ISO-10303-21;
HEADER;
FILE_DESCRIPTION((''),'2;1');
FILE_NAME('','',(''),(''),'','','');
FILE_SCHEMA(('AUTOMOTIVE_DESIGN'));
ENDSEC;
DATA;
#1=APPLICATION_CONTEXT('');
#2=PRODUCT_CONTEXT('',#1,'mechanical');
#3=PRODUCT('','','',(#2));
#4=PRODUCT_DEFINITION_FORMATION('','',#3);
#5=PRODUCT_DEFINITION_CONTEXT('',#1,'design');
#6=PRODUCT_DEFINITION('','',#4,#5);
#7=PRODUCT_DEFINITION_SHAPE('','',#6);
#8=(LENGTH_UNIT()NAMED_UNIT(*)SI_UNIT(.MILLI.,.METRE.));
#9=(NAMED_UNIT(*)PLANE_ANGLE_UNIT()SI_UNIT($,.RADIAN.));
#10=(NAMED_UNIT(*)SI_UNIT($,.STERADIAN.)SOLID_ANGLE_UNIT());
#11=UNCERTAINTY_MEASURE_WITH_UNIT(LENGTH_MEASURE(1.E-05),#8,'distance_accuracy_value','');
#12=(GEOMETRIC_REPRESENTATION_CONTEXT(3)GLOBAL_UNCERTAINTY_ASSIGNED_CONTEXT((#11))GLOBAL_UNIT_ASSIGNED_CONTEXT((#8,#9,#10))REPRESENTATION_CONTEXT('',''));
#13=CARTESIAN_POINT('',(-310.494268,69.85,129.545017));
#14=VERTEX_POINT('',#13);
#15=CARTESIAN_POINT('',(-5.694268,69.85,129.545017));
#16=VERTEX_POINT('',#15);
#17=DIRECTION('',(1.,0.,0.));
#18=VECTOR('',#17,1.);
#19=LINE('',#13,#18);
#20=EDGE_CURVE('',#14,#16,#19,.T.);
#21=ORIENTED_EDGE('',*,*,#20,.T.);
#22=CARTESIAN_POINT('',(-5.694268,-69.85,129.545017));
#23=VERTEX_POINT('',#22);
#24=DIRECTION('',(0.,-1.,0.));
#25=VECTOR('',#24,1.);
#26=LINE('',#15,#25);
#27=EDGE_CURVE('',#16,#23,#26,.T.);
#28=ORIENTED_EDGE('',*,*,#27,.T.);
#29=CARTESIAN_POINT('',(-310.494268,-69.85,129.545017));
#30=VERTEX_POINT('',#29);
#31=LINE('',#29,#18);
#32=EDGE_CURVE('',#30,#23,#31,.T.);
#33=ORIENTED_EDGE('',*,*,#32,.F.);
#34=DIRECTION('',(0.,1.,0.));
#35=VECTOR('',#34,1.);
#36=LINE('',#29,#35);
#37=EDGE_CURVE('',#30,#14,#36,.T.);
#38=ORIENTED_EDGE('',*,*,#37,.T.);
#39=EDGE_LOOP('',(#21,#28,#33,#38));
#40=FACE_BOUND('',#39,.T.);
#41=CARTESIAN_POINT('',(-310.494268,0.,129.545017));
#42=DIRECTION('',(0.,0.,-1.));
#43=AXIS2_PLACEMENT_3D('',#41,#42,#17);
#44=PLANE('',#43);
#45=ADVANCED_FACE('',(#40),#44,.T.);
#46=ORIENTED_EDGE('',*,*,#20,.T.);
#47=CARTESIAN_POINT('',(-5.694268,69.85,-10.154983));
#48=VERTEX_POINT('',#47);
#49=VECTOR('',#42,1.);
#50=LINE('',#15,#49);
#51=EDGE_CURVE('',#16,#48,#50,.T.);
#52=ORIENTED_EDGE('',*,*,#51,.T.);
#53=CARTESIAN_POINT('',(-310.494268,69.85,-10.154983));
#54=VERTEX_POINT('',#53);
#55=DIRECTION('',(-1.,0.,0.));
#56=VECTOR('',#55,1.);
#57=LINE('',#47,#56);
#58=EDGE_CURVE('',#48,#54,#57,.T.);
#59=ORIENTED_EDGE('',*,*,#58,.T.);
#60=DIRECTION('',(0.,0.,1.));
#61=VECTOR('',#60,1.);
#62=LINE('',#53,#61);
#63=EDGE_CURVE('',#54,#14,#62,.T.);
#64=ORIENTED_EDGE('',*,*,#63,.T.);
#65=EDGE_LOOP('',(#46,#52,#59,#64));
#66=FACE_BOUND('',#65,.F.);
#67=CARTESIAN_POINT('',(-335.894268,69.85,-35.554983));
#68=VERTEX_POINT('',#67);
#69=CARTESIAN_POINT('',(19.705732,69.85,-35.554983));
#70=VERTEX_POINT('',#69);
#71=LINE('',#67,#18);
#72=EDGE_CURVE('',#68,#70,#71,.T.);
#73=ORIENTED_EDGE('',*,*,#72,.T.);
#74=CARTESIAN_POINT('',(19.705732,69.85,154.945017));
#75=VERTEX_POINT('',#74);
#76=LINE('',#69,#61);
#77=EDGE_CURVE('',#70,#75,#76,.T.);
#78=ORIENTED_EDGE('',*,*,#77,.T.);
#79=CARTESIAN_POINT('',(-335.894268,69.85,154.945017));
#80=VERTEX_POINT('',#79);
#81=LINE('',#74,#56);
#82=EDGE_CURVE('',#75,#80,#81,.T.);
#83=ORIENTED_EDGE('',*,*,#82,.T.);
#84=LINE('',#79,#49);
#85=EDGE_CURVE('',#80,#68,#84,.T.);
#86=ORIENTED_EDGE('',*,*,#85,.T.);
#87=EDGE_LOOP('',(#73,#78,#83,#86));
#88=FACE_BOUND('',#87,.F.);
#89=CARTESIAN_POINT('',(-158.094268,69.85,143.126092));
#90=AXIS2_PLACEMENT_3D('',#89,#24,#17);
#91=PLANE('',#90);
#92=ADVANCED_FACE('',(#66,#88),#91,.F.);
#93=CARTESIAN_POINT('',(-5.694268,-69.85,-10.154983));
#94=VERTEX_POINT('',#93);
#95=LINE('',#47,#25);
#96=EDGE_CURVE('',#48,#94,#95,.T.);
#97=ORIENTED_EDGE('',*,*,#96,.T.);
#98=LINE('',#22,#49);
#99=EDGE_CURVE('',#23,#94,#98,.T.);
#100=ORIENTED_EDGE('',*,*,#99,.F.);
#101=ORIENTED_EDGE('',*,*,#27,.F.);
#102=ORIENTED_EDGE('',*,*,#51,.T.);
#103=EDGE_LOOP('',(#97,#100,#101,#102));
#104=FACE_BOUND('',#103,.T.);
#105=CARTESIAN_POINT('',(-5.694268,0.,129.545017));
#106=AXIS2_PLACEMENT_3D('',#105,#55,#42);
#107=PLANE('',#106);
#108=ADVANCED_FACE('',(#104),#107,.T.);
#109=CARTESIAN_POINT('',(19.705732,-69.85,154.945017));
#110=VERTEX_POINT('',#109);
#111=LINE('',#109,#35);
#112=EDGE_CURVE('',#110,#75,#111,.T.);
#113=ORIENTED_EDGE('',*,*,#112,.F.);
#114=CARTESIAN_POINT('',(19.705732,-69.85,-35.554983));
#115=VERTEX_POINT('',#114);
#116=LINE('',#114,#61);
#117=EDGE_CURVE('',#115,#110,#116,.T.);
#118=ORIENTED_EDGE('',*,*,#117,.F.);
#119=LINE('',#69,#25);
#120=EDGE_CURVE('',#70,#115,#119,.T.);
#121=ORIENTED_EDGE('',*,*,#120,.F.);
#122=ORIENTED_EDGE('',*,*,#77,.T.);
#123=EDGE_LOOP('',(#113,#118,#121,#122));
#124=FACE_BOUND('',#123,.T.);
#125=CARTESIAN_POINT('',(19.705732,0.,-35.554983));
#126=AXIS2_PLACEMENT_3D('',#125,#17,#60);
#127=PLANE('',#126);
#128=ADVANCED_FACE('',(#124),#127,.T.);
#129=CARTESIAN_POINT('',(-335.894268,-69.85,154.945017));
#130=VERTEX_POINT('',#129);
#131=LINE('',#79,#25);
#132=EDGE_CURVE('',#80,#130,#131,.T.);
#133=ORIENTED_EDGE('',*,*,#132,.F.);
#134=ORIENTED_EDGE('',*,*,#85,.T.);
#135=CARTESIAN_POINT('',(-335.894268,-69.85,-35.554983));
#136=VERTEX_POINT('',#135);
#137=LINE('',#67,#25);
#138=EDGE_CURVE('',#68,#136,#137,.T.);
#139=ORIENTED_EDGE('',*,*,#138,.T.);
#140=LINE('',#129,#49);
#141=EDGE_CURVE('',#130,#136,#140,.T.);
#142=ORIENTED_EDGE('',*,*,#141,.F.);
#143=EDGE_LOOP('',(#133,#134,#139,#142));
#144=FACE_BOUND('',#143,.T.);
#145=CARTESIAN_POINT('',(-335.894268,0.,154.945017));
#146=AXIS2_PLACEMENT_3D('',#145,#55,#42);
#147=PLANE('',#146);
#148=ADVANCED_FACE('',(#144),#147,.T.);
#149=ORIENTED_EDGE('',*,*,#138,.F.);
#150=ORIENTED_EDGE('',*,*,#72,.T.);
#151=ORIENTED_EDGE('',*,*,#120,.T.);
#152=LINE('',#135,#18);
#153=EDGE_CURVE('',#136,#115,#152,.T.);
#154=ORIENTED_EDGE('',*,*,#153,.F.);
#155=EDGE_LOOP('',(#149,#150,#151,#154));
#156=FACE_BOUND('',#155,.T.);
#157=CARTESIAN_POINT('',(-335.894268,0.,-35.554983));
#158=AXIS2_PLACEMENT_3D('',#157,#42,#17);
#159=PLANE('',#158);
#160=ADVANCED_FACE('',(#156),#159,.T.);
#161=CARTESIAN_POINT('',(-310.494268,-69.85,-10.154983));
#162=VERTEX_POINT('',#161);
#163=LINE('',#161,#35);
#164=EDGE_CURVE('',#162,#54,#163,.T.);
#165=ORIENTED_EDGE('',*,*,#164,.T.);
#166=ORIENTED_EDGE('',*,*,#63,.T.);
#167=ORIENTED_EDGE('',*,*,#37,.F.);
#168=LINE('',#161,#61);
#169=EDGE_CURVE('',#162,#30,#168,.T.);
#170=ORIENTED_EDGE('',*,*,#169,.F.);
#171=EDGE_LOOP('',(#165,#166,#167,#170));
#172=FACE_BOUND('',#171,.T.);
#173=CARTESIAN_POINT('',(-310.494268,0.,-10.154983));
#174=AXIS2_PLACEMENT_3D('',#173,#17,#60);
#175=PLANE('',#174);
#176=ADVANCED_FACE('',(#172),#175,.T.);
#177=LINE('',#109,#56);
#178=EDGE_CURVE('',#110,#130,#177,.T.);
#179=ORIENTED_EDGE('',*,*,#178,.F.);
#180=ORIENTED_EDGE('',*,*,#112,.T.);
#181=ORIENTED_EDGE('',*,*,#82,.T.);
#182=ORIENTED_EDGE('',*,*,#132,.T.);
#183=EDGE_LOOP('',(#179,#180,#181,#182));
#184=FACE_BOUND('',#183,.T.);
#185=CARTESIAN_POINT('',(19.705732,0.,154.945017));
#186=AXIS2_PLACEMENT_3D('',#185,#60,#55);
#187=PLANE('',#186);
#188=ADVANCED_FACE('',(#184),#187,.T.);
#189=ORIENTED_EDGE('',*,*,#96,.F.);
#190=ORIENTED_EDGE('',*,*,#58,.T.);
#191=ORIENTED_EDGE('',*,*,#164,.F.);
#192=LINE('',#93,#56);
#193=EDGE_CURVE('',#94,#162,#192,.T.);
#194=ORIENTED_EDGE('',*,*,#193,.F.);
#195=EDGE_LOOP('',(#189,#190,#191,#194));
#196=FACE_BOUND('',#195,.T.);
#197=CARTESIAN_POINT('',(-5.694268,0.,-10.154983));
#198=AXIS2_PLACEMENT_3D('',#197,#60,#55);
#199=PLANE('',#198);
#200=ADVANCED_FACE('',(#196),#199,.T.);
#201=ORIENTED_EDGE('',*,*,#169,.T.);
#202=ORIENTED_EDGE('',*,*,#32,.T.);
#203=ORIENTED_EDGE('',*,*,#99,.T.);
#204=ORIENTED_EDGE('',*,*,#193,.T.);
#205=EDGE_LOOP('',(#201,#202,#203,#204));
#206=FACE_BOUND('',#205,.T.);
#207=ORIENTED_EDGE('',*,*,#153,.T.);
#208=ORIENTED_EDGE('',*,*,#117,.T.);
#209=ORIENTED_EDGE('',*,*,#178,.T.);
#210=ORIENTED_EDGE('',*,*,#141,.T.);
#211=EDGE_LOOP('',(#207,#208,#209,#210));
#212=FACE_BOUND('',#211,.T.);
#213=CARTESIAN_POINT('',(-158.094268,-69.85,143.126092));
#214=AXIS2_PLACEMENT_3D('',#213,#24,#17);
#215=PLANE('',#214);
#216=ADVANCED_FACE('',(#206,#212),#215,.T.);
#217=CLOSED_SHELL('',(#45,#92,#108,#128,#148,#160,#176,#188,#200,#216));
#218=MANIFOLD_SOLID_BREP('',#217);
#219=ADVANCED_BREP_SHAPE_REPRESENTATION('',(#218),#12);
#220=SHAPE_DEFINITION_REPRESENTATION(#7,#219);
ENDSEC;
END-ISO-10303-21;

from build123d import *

# Parameters (mm, degrees)
F1_DEPTH = 69.85


with BuildPart() as f1:
    # F0 (on Front) → F1 (new body, symmetric)
    with BuildSketch(Plane.XZ):
        Polygon((-335.894268, 154.945017), (-310.494268, 129.545017), (-5.694268, 129.545017), (19.705732, 154.945017), align=None)
        Polygon((-335.894268, -35.554983), (-310.494268, -10.154983), (-310.494268, 129.545017), (-335.894268, 154.945017), (-335.894268, 129.475847), align=None)
        Polygon((-5.694268, -10.154983), (-310.494268, -10.154983), (-335.894268, -35.554983), (19.705732, -35.554983), align=None)
        Polygon((-5.694268, 129.545017), (-5.694268, -10.154983), (19.705732, -35.554983), (19.705732, 129.475847), (19.705732, 154.945017), align=None)
    extrude(amount=F1_DEPTH, both=True)


solid = f1.part
